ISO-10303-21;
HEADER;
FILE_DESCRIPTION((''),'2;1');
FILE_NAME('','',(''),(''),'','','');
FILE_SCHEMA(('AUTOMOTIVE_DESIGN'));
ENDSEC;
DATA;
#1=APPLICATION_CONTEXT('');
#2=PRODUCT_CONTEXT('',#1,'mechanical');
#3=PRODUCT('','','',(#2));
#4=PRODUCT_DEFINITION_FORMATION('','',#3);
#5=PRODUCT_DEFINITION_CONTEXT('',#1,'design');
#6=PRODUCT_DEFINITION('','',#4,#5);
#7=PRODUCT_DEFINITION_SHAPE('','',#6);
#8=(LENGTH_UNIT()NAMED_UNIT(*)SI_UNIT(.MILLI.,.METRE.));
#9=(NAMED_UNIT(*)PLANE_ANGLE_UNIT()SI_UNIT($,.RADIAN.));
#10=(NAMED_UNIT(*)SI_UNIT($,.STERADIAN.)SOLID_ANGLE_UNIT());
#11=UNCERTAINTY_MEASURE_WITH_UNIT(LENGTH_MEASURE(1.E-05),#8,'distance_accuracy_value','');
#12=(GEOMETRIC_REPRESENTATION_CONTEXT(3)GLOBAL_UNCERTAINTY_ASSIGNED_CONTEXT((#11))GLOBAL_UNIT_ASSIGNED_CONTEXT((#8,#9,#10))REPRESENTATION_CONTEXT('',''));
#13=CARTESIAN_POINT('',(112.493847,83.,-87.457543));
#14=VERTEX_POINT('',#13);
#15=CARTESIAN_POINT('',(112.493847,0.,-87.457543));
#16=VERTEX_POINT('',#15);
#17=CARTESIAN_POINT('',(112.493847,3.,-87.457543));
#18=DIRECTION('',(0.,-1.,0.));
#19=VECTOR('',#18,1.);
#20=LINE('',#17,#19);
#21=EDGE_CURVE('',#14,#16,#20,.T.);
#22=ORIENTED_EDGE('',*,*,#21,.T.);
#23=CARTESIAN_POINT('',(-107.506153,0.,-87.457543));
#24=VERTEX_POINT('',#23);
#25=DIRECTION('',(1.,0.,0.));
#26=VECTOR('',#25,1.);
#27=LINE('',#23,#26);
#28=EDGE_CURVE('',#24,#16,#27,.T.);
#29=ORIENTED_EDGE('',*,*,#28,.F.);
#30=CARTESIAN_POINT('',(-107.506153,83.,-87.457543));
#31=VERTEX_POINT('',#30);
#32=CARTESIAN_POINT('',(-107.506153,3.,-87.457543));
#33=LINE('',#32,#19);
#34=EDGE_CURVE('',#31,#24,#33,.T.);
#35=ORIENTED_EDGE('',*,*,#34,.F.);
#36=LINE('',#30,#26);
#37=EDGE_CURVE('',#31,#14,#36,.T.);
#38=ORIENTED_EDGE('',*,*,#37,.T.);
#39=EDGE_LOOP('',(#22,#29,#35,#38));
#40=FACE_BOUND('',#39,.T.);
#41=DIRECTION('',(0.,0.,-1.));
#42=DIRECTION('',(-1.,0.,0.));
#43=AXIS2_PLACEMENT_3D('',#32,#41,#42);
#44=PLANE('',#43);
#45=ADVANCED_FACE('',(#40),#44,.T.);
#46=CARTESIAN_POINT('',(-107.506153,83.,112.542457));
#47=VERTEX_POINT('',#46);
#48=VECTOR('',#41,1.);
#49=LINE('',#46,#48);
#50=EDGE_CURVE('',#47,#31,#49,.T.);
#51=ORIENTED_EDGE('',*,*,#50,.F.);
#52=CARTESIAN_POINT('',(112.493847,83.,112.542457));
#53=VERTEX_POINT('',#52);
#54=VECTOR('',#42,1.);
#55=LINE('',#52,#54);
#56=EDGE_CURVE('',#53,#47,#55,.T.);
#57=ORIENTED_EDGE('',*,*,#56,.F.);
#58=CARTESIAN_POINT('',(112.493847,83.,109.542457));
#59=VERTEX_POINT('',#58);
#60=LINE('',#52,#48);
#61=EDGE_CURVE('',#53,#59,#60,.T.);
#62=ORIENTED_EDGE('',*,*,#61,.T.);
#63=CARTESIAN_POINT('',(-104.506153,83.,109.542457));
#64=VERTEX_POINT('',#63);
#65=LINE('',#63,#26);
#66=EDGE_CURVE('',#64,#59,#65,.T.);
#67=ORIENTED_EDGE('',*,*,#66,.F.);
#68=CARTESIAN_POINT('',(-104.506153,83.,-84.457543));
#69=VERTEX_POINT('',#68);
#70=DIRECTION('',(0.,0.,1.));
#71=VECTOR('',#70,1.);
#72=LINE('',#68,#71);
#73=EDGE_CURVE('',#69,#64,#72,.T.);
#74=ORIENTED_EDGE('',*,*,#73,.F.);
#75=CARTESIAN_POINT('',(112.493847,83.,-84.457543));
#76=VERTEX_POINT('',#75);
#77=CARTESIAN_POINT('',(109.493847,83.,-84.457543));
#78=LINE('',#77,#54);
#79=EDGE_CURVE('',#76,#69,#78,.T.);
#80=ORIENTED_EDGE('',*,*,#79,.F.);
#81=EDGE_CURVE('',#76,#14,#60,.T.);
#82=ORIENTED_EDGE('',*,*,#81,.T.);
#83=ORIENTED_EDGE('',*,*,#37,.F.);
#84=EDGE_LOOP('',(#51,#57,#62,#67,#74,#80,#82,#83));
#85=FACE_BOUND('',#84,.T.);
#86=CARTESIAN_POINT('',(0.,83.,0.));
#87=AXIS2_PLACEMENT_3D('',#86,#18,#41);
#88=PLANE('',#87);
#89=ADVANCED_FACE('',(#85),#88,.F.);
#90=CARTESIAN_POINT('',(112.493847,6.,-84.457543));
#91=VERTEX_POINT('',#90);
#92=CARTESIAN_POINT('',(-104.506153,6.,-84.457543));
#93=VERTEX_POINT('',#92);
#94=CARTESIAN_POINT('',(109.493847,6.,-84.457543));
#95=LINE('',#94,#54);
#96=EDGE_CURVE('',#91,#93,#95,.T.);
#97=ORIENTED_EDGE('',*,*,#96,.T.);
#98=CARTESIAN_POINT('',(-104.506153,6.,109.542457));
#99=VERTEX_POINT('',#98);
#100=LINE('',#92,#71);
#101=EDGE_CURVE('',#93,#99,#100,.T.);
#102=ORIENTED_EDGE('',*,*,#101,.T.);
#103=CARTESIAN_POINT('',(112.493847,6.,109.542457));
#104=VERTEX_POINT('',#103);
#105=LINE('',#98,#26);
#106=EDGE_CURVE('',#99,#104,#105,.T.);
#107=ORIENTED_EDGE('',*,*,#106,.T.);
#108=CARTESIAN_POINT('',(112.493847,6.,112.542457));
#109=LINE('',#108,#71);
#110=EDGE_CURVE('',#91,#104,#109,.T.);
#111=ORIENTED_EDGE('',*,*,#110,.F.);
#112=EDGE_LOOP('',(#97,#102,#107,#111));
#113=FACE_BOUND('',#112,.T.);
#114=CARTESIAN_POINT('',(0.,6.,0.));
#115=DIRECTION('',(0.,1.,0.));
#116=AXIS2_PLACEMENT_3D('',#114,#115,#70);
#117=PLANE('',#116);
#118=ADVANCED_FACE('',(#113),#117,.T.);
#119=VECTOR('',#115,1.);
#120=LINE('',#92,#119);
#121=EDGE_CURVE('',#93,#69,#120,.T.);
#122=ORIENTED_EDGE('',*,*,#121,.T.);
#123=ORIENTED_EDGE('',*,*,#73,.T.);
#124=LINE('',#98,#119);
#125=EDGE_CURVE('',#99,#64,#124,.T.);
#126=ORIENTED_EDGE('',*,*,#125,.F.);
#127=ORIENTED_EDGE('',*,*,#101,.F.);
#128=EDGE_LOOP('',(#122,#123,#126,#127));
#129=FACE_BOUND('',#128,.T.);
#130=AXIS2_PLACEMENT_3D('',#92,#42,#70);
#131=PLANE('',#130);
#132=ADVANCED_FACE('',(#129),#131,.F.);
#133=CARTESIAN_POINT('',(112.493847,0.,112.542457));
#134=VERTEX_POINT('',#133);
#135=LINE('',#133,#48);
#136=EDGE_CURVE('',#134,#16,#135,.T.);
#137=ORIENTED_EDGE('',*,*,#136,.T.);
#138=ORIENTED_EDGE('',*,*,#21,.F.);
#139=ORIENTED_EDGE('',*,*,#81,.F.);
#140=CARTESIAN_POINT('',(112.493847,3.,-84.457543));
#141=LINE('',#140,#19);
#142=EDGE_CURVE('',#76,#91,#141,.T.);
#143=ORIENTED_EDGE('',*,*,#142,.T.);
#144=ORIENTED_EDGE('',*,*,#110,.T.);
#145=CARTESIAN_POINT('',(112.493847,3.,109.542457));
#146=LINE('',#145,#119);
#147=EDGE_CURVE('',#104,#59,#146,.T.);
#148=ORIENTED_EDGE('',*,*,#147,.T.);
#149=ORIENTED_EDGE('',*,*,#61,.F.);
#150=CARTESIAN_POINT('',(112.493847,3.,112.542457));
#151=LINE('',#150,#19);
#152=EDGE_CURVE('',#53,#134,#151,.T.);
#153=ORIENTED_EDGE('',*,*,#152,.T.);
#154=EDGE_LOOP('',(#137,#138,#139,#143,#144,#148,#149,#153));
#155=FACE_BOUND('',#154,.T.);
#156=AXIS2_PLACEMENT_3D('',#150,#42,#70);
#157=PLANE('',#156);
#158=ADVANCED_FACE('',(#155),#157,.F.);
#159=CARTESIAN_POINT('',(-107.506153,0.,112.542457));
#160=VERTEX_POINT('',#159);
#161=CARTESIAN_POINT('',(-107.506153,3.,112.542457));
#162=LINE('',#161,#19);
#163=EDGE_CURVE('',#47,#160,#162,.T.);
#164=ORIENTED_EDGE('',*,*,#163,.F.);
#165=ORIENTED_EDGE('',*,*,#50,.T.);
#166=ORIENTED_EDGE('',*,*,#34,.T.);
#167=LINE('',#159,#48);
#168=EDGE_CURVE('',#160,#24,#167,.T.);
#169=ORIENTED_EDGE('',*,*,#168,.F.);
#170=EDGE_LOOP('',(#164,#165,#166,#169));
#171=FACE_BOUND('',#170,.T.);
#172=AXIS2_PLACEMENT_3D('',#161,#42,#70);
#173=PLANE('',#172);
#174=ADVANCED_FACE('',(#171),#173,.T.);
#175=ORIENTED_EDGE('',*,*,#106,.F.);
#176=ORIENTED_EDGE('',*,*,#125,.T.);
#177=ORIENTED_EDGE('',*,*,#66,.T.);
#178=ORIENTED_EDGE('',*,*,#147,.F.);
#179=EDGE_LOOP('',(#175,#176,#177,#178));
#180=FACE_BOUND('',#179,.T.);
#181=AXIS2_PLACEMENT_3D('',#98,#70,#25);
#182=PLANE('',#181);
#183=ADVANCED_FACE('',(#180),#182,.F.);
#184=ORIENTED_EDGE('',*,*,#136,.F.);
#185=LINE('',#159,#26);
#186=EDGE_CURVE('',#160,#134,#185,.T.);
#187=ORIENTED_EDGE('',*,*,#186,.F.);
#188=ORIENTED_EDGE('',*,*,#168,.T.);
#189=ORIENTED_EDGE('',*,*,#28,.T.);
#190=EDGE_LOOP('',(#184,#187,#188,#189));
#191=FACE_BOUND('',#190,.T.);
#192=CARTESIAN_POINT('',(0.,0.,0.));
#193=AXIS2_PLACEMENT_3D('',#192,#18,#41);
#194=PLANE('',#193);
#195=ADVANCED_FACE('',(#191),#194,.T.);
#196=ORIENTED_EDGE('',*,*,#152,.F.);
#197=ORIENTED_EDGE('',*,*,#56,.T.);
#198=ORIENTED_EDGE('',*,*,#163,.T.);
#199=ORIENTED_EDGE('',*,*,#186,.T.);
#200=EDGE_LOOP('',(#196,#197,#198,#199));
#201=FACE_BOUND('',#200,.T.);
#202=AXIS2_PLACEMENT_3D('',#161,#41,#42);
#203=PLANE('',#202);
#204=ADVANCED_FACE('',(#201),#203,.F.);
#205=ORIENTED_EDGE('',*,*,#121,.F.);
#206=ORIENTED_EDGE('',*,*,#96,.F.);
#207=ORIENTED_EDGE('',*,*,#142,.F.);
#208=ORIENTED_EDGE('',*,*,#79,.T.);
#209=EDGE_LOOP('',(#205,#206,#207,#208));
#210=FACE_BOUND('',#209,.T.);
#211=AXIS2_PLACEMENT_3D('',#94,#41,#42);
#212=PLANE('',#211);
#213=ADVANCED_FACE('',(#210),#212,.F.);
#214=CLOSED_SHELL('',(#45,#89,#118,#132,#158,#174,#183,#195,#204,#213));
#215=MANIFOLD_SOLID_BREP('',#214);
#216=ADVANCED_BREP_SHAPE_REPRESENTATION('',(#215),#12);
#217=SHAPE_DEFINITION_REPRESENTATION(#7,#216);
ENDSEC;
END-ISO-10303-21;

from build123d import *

# Parameters (mm, degrees)
SKETCH1_W           = 220
SKETCH1_H           = 200
BOSS_EXTRUDE1_DEPTH = 3
SKETCH3_W           = 220
SKETCH3_H           = 200
BOSS_EXTRUDE3_DEPTH = 80
SKETCH9_W           = 214
SKETCH9_H           = 194
CUT_EXTRUDE1_DEPTH  = 77
SKETCH13_W          = 194
SKETCH13_H          = 77
CUT_EXTRUDE4_DEPTH  = 197


with BuildPart() as part:
    # Sketch1 → Boss-Extrude1 (new body)
    with BuildSketch(Plane(origin=(0, 0, 0), x_dir=(1, 0, 0), z_dir=(0, 1, 0))):
        with Locations((2.493847253, -12.542456993)):
            Rectangle(SKETCH1_W, SKETCH1_H)
    extrude(amount=BOSS_EXTRUDE1_DEPTH)

    # Sketch3 → Boss-Extrude3 (add)
    with BuildSketch(Plane(origin=(0, 3, 0), x_dir=(1, 0, 0), z_dir=(0, 1, 0))):
        with Locations((2.493847253, -12.542456993)):
            Rectangle(SKETCH3_W, SKETCH3_H)
    extrude(amount=BOSS_EXTRUDE3_DEPTH)

    # Sketch9 → Cut-Extrude1 (cut)
    with BuildSketch(Plane(origin=(0, 83, 0), x_dir=(1, 0, 0), z_dir=(0, 1, 0))):
        with Locations((2.493847253, -12.542456993)):
            Rectangle(SKETCH9_W, SKETCH9_H)
    extrude(amount=-CUT_EXTRUDE1_DEPTH, mode=Mode.SUBTRACT)

    # Sketch13 → Cut-Extrude4 (cut)
    with BuildSketch(Plane.ZY.offset(-109.493847253)):
        with Locations((12.542456993, 44.5)):
            Rectangle(SKETCH13_W, SKETCH13_H)
    extrude(amount=-CUT_EXTRUDE4_DEPTH, mode=Mode.SUBTRACT)


solid = part.part
